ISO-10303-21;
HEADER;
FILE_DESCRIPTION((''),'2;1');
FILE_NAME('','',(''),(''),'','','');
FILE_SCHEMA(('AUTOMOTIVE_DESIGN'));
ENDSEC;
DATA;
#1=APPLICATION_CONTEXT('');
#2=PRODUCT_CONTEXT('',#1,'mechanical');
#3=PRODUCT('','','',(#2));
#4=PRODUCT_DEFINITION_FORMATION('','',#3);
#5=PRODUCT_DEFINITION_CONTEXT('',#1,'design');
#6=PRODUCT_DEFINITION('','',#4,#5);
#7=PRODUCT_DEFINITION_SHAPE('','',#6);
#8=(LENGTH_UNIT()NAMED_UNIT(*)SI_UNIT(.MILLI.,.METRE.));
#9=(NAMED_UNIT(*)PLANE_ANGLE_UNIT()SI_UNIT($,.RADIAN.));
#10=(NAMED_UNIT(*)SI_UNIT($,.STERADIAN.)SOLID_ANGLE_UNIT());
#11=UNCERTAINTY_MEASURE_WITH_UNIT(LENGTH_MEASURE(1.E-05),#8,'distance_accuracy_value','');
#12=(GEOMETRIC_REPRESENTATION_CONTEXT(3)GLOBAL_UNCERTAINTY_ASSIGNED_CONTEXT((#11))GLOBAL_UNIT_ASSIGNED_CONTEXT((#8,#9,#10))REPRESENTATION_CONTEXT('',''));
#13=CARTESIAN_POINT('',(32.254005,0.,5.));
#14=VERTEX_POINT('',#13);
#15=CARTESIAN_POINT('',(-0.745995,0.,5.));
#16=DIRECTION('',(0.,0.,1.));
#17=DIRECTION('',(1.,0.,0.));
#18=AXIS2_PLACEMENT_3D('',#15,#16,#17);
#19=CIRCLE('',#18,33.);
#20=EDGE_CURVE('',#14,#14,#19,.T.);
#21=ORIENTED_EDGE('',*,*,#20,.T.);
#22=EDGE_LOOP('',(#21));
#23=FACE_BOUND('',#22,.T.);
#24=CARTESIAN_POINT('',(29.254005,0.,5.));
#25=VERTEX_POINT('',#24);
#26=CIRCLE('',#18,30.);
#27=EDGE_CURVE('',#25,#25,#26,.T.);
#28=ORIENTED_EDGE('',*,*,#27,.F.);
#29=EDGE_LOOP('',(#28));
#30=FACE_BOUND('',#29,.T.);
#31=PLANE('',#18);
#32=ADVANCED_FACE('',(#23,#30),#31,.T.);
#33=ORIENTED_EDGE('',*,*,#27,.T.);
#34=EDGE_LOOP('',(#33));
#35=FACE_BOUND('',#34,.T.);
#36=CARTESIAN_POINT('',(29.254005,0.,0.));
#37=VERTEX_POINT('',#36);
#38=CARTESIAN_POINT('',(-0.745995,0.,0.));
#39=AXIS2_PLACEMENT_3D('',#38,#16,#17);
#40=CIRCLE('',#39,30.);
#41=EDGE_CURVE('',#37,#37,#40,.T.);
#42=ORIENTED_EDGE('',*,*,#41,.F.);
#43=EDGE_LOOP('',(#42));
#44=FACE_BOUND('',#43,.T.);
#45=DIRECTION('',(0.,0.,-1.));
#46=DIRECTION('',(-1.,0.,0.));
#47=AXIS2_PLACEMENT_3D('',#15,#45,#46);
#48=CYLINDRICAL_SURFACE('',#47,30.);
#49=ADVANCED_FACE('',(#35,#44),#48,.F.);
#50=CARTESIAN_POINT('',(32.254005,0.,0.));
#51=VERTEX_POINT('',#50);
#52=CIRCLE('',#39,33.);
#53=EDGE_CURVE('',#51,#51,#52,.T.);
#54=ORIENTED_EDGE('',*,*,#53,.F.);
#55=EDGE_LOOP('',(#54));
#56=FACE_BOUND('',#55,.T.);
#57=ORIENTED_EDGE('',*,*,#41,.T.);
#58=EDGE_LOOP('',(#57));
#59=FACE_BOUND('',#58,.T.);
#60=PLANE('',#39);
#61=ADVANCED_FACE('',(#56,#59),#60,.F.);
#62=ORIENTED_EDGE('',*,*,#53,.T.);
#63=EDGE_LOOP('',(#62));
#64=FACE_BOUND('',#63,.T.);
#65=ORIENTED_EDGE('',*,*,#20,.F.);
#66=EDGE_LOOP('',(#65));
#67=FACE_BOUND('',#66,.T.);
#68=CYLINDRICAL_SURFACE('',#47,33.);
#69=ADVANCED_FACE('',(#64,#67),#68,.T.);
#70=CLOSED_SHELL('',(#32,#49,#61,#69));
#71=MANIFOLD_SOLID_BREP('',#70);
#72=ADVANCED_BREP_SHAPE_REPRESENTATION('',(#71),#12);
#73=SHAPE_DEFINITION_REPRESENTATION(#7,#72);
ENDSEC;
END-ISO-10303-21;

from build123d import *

# Parameters (mm, degrees)
SKETCH1_R           = 33
SKETCH1_R_2         = 30
BOSS_EXTRUDE1_DEPTH = 5


with BuildPart() as part:
    # Sketch1 → Boss-Extrude1 (new body)
    with BuildSketch(Plane.XY):
        with Locations((-0.745995021, 0)):
            Circle(SKETCH1_R)
        with Locations((-0.745995021, 0)):
            Circle(SKETCH1_R_2, mode=Mode.SUBTRACT)
    extrude(amount=BOSS_EXTRUDE1_DEPTH)


solid = part.part
